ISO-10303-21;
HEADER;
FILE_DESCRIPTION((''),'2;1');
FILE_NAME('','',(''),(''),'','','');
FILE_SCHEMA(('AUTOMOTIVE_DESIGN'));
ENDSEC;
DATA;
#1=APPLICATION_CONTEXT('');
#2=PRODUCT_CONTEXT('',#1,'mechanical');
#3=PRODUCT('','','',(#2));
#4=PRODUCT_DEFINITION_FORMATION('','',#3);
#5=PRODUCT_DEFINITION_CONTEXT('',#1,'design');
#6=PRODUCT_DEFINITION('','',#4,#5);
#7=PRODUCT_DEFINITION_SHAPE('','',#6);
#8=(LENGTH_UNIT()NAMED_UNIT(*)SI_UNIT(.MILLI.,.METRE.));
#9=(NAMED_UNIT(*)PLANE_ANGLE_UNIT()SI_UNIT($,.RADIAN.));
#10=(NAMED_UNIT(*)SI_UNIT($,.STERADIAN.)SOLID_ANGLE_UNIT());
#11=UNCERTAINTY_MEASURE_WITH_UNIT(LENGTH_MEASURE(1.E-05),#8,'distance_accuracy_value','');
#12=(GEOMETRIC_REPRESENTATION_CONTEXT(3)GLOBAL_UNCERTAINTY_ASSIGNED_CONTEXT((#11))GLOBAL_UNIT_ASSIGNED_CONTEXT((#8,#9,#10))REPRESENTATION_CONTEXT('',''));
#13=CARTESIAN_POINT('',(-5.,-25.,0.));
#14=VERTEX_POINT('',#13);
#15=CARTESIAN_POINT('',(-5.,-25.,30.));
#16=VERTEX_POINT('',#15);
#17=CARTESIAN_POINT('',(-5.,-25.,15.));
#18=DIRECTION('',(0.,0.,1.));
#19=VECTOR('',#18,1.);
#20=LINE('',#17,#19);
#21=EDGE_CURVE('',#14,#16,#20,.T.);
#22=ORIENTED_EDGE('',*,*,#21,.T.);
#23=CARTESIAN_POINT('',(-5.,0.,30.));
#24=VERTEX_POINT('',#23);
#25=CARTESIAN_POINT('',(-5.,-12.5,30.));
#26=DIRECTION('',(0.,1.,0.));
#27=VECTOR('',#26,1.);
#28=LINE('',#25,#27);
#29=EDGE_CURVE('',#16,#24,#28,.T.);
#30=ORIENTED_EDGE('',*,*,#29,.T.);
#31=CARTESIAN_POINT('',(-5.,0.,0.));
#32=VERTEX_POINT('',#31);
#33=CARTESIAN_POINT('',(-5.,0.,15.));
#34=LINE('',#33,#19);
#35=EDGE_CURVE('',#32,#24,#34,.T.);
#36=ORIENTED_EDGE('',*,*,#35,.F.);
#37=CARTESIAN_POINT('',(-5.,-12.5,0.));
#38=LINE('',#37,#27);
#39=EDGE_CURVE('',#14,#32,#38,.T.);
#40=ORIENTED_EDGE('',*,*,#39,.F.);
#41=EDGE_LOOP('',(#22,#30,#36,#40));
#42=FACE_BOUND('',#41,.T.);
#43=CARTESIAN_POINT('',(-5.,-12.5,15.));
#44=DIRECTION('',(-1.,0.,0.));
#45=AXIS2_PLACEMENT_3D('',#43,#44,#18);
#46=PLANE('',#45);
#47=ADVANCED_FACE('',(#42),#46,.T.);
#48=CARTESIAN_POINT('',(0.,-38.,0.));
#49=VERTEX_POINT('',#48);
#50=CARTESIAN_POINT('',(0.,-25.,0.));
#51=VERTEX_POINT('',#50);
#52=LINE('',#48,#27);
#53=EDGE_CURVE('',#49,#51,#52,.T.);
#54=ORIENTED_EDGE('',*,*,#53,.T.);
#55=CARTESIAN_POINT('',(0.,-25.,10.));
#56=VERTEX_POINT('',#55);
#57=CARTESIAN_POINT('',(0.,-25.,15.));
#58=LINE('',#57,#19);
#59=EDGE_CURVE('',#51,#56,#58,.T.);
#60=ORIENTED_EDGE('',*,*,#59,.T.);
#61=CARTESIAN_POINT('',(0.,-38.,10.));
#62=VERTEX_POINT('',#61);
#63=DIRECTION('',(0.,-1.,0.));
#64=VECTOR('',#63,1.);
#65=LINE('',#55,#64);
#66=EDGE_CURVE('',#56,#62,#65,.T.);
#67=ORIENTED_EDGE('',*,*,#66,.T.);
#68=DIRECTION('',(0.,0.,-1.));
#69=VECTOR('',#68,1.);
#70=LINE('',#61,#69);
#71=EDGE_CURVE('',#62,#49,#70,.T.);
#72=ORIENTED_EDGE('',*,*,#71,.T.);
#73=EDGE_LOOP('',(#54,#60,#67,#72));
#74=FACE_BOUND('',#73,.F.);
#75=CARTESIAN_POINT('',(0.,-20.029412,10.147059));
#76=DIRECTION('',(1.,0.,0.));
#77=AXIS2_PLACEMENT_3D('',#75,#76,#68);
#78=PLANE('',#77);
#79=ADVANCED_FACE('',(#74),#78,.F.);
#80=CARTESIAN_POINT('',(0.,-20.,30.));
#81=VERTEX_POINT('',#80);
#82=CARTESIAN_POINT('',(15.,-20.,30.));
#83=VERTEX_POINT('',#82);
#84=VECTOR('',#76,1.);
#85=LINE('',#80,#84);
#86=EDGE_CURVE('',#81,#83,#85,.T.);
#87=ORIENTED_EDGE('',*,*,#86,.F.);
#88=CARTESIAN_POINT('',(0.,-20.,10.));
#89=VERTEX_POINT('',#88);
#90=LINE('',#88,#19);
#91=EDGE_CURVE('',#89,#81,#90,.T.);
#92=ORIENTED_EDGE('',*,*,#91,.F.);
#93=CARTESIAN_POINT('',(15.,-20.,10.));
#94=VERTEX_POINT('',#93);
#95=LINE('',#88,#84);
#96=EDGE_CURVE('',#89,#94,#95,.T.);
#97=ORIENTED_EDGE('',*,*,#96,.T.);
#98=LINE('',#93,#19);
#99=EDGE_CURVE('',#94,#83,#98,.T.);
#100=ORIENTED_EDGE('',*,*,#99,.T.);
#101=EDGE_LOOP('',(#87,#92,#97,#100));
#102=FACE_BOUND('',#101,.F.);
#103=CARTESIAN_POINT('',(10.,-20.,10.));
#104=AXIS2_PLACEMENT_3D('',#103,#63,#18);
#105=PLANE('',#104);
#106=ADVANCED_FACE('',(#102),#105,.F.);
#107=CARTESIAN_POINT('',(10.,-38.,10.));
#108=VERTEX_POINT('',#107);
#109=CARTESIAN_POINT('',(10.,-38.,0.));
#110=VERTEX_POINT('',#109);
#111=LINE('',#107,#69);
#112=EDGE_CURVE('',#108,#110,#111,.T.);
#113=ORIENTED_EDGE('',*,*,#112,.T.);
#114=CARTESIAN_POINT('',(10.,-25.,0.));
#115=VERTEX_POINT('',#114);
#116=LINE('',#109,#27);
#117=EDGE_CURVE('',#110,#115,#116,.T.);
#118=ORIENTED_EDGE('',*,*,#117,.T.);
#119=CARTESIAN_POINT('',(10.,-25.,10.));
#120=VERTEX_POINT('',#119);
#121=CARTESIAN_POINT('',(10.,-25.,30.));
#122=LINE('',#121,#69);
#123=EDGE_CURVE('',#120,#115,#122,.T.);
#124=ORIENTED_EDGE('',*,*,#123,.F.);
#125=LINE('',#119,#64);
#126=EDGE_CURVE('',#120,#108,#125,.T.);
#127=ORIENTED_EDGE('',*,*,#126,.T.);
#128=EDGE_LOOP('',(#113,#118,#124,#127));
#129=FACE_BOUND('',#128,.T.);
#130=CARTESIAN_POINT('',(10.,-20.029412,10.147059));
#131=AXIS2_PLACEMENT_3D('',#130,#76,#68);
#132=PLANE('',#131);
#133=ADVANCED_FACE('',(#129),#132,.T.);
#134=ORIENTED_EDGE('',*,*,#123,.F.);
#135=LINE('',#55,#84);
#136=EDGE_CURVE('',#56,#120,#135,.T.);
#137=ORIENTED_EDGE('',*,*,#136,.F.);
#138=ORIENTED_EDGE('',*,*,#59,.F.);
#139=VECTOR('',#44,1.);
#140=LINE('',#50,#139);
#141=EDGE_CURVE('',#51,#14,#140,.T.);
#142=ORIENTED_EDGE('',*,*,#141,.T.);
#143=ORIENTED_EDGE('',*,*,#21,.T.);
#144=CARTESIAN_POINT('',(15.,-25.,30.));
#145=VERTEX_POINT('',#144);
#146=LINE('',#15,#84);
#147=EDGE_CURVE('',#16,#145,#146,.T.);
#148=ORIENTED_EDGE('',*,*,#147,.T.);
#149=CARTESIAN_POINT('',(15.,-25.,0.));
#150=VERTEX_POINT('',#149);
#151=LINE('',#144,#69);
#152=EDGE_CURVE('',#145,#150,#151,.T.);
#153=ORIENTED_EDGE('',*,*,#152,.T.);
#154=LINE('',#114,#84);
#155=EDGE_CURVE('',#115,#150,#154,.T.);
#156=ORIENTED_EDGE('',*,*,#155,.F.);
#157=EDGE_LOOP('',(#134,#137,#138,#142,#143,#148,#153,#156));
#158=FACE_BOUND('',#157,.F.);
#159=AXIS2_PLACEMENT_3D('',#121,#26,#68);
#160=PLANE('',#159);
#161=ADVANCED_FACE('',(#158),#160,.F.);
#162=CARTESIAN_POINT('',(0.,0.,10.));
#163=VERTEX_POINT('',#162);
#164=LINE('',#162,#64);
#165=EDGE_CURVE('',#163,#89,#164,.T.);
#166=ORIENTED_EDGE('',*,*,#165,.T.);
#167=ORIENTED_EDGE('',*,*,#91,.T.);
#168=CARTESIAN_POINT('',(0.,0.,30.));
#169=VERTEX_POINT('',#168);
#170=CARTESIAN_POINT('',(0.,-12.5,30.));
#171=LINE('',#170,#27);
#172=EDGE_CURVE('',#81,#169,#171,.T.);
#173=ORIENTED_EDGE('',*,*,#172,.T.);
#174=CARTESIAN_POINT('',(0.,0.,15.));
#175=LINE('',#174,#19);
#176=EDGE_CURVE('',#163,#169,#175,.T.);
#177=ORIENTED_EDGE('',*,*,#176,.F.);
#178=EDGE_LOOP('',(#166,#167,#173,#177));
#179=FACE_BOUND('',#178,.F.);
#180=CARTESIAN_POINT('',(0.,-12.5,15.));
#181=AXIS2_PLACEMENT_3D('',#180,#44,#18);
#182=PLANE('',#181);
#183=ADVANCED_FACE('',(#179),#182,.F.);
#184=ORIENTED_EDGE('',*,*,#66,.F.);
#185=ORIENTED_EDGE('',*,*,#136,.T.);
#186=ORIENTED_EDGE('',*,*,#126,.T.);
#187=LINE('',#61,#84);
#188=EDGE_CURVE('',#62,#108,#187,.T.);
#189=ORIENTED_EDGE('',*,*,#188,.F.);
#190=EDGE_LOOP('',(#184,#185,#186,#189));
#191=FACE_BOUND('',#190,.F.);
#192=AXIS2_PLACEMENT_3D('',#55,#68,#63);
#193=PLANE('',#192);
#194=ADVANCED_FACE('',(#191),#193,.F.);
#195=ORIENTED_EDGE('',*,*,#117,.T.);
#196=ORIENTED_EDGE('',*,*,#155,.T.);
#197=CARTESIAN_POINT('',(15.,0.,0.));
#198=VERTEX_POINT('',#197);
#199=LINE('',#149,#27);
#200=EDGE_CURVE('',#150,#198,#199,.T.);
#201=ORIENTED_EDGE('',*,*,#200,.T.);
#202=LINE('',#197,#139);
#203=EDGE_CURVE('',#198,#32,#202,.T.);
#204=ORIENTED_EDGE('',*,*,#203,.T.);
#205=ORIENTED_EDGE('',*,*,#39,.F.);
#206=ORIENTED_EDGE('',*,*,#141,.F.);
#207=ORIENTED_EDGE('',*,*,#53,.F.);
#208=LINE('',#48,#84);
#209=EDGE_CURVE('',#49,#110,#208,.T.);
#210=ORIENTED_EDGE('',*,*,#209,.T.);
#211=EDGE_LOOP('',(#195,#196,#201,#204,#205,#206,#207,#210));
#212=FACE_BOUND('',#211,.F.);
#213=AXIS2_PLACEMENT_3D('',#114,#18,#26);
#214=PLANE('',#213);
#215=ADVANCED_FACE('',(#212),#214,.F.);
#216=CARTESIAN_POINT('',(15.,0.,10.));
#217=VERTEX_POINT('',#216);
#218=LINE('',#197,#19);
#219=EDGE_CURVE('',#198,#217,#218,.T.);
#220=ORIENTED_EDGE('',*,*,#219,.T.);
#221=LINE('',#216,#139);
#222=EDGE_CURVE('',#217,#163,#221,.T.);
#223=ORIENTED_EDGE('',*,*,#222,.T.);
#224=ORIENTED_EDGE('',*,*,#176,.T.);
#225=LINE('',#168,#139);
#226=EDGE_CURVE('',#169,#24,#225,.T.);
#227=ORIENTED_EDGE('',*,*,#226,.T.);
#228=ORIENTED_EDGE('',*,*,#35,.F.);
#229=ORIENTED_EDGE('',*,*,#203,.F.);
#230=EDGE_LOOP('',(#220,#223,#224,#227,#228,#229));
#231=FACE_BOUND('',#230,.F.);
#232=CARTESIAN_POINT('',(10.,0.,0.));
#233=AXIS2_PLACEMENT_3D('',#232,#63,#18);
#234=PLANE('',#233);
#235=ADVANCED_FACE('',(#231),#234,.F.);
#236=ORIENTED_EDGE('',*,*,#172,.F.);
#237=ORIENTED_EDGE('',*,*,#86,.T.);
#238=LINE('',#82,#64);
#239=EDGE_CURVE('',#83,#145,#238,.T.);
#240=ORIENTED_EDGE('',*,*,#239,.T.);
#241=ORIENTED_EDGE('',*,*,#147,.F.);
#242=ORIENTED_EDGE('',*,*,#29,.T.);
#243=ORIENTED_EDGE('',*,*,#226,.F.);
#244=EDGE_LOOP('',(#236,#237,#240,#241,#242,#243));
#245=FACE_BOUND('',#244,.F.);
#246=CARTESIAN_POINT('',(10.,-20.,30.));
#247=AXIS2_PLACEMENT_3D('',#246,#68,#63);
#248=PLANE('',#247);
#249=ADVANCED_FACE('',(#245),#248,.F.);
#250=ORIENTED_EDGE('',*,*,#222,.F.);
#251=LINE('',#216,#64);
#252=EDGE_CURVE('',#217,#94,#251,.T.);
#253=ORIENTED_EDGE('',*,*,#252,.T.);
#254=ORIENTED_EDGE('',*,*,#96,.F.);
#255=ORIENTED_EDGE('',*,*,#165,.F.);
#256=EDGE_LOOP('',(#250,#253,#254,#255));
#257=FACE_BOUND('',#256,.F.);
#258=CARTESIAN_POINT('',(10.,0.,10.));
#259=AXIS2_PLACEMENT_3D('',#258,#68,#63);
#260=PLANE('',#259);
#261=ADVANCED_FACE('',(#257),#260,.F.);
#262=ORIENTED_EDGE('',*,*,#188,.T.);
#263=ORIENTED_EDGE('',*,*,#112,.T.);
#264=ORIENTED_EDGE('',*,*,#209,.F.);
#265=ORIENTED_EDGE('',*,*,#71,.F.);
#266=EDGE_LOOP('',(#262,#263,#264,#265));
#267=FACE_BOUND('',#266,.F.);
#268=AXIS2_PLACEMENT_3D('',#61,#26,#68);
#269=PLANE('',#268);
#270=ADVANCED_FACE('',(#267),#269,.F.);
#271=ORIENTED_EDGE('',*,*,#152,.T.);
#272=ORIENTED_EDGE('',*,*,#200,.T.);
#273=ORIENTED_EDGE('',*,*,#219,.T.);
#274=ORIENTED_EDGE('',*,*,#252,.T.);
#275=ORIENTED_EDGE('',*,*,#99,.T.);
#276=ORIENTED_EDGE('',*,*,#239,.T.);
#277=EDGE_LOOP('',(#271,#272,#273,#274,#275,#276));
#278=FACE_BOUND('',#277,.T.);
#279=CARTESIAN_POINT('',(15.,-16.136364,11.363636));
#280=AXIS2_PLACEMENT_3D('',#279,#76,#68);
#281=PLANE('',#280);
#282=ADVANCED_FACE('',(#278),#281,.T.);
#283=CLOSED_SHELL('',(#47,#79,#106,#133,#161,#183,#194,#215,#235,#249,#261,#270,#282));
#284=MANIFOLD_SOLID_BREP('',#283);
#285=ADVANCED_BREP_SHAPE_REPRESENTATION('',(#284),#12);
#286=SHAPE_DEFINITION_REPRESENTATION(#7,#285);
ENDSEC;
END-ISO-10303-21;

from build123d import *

# Parameters (mm, degrees)
BOSS_EXTRUDE1_DEPTH = 10
SKETCH2_W           = 30
SKETCH2_H           = 25
BOSS_EXTRUDE2_DEPTH = 5
BOSS_EXTRUDE3_DEPTH = 5


with BuildPart() as part:
    # Sketch1 → Boss-Extrude1 (new body)
    with BuildSketch(Plane(origin=(0, 0, 0), x_dir=(0, 0, -1), z_dir=(1, 0, 0))):
        Polygon((0, 0), (-10, 0), (-10, -20), (-30, -20), (-30, -25), (-10, -25), (-10, -38), (0, -38), align=None)
    extrude(amount=BOSS_EXTRUDE1_DEPTH)

    # Sketch2 → Boss-Extrude2 (add)
    with BuildSketch(Plane.ZY):
        with Locations((15, -12.5)):
            Rectangle(SKETCH2_W, SKETCH2_H)
    extrude(amount=BOSS_EXTRUDE2_DEPTH)

    # Sketch3 → Boss-Extrude3 (add)
    with BuildSketch(Plane(origin=(10, 0, 0), x_dir=(0, 0, -1), z_dir=(1, 0, 0))):
        Polygon((-10, 0), (-10, -20), (-30, -20), (-30, -25), (-10, -25), (0, -25), (0, 0), align=None)
    extrude(amount=BOSS_EXTRUDE3_DEPTH)


solid = part.part
